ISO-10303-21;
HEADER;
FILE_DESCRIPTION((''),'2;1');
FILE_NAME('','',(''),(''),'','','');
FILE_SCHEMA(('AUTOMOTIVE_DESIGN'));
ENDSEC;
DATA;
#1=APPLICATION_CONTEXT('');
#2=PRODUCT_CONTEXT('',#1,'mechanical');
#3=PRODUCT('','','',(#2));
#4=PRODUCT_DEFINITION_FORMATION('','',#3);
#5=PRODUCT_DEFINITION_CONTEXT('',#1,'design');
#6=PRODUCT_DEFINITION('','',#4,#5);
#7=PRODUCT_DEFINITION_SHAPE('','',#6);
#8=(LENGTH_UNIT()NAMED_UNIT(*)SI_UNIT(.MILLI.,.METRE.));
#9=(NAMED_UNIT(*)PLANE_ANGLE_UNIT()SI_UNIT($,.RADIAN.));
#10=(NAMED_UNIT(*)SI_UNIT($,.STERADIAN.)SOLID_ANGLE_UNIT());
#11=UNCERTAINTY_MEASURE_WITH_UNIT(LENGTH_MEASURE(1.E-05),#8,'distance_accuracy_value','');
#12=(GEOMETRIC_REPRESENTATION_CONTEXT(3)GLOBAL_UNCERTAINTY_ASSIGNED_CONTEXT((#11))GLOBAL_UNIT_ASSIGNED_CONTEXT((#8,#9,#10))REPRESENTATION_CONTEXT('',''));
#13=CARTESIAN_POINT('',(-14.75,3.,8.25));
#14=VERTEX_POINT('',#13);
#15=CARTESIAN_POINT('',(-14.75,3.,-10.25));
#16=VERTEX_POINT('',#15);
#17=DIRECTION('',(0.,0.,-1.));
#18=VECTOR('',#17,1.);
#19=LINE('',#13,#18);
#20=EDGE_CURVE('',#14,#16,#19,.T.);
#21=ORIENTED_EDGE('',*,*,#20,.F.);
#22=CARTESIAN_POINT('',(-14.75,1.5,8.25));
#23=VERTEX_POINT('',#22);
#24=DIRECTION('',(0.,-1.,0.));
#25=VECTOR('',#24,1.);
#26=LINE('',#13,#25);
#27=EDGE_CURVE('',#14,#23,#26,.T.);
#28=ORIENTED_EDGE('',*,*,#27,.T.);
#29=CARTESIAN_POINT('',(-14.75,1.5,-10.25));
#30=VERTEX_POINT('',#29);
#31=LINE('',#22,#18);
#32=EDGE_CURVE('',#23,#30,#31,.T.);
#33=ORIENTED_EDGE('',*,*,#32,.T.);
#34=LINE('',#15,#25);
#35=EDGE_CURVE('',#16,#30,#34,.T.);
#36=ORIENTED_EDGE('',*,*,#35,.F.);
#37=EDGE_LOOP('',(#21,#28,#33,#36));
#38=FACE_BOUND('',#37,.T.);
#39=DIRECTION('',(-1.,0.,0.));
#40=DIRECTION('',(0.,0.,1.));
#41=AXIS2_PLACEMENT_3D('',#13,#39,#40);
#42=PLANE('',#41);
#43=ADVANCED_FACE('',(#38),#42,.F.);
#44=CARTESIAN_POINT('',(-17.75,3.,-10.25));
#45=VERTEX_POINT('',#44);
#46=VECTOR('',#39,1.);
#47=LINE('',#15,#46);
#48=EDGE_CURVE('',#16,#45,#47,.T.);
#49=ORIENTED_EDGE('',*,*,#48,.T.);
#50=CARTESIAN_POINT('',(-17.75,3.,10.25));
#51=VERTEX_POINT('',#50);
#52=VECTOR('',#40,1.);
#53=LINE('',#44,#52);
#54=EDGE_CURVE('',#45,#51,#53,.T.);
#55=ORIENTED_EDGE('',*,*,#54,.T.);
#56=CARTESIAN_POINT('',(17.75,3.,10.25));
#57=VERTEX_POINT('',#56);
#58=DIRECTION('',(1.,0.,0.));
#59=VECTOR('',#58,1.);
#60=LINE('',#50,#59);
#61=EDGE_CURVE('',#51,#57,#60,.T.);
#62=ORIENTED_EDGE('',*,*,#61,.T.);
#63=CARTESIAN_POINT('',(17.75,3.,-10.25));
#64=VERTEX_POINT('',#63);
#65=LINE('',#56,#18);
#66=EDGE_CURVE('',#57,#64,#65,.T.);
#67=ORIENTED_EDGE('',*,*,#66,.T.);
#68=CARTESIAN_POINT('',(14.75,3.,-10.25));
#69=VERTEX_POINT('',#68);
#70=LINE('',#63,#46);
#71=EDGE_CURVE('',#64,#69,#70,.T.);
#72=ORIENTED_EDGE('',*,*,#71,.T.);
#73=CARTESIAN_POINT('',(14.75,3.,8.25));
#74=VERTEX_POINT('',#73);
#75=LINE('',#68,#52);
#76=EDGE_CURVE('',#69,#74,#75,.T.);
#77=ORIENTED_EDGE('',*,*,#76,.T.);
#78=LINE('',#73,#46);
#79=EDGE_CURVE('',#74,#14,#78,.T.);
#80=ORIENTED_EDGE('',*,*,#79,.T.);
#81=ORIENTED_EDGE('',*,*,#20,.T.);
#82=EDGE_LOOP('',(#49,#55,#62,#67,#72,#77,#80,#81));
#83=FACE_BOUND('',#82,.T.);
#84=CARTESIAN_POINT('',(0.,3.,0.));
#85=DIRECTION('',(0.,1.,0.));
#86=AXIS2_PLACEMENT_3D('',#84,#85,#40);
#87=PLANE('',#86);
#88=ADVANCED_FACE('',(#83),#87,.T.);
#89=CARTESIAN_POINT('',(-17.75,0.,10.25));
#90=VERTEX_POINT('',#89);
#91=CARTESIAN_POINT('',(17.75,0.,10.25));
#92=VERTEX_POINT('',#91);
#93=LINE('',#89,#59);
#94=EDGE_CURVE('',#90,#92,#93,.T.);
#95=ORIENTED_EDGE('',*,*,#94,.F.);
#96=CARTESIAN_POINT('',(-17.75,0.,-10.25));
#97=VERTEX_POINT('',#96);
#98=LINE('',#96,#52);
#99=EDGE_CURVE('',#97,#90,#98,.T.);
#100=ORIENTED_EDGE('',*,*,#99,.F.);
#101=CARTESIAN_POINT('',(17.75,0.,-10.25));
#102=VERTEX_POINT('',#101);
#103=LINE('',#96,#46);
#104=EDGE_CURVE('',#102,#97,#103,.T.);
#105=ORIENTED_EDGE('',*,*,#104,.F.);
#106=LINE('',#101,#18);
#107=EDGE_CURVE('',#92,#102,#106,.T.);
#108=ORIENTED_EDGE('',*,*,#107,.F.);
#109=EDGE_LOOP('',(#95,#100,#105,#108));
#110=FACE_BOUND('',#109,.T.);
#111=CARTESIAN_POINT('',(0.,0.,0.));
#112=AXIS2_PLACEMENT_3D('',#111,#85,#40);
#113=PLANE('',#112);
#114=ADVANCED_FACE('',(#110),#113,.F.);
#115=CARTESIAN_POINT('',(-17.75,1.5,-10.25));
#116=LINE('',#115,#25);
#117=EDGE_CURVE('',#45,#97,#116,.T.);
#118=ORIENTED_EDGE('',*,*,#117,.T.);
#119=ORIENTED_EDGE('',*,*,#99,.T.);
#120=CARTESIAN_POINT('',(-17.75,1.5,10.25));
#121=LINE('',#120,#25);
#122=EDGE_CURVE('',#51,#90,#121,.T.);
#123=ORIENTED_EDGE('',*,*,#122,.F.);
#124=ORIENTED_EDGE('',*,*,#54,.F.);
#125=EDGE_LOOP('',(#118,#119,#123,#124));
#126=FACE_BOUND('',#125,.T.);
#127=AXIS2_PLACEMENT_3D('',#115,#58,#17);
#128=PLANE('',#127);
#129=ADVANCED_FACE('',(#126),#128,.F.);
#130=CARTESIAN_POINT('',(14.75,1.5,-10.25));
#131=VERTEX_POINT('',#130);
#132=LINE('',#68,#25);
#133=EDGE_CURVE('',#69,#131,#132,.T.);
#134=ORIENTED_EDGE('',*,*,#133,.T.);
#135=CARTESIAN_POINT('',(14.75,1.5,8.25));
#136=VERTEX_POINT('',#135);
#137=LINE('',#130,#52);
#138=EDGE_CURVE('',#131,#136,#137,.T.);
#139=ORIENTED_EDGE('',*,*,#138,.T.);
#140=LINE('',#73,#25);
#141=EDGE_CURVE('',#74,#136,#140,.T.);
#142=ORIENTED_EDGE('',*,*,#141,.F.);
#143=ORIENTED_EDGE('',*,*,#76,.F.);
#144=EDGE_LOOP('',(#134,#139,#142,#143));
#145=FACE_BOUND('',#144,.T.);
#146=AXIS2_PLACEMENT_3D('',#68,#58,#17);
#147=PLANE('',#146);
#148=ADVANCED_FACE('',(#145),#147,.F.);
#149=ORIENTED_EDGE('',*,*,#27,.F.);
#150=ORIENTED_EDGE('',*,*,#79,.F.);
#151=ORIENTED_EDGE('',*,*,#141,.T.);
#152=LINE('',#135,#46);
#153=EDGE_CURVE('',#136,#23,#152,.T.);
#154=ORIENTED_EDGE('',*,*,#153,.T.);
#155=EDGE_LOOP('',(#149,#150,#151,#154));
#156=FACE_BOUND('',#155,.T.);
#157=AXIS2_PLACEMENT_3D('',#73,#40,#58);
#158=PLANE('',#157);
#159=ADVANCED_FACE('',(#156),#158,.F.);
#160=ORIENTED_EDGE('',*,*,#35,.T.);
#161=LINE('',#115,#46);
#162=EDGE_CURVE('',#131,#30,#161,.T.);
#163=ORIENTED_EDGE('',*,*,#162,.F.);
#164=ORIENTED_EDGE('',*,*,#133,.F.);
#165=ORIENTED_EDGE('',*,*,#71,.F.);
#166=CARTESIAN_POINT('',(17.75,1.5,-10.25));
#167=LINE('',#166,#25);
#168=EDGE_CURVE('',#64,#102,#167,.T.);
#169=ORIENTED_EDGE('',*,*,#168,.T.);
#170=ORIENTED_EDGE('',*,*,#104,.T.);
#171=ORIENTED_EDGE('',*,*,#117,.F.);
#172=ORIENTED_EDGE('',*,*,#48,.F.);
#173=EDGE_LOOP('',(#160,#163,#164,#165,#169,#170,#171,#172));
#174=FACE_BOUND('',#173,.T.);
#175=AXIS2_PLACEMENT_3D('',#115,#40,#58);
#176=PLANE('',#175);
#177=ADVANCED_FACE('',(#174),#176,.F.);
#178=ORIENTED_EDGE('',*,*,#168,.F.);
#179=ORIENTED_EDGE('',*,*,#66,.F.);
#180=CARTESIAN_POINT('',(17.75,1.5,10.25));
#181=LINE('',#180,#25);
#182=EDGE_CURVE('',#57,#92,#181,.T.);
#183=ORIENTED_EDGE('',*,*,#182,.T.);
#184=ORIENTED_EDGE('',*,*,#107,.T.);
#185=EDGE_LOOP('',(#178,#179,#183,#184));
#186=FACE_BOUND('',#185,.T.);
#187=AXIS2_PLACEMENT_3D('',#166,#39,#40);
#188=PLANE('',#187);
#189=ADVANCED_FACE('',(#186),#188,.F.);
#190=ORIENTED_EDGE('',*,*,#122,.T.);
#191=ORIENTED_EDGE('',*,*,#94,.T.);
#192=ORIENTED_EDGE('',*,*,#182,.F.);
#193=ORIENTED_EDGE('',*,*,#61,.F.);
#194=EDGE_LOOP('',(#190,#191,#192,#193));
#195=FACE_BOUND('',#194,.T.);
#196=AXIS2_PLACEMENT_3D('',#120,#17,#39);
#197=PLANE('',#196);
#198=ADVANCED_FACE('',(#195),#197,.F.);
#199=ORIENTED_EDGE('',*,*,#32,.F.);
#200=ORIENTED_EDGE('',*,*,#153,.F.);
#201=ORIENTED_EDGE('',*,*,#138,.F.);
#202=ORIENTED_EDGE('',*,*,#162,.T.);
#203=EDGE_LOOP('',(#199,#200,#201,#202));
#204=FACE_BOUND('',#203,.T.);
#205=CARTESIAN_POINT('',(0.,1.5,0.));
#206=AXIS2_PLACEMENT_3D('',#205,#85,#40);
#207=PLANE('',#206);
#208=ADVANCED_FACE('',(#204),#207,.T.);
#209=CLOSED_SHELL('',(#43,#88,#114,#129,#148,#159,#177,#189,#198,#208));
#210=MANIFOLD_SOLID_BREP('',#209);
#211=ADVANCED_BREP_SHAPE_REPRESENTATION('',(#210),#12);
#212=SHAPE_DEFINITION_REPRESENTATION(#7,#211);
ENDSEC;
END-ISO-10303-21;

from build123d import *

# Parameters (mm, degrees)
SKETCH1_W           = 35.5
SKETCH1_H           = 20.5
BOSS_EXTRUDE1_DEPTH = 1.5
BOSS_EXTRUDE2_DEPTH = 1.5


with BuildPart() as part:
    # Sketch1 → Boss-Extrude1 (new body)
    with BuildSketch(Plane(origin=(0, 0, 0), x_dir=(1, 0, 0), z_dir=(0, 1, 0))):
        Rectangle(SKETCH1_W, SKETCH1_H)
    extrude(amount=BOSS_EXTRUDE1_DEPTH)

    # Sketch2 → Boss-Extrude2 (add)
    with BuildSketch(Plane(origin=(0, 1.5, 0), x_dir=(1, 0, 0), z_dir=(0, 1, 0))):
        Polygon((17.75, 10.25), (14.75, 10.25), (14.75, -8.25), (-14.75, -8.25), (-14.75, 10.25), (-17.75, 10.25), (-17.75, -10.25), (17.75, -10.25), align=None)
    extrude(amount=BOSS_EXTRUDE2_DEPTH)


solid = part.part
